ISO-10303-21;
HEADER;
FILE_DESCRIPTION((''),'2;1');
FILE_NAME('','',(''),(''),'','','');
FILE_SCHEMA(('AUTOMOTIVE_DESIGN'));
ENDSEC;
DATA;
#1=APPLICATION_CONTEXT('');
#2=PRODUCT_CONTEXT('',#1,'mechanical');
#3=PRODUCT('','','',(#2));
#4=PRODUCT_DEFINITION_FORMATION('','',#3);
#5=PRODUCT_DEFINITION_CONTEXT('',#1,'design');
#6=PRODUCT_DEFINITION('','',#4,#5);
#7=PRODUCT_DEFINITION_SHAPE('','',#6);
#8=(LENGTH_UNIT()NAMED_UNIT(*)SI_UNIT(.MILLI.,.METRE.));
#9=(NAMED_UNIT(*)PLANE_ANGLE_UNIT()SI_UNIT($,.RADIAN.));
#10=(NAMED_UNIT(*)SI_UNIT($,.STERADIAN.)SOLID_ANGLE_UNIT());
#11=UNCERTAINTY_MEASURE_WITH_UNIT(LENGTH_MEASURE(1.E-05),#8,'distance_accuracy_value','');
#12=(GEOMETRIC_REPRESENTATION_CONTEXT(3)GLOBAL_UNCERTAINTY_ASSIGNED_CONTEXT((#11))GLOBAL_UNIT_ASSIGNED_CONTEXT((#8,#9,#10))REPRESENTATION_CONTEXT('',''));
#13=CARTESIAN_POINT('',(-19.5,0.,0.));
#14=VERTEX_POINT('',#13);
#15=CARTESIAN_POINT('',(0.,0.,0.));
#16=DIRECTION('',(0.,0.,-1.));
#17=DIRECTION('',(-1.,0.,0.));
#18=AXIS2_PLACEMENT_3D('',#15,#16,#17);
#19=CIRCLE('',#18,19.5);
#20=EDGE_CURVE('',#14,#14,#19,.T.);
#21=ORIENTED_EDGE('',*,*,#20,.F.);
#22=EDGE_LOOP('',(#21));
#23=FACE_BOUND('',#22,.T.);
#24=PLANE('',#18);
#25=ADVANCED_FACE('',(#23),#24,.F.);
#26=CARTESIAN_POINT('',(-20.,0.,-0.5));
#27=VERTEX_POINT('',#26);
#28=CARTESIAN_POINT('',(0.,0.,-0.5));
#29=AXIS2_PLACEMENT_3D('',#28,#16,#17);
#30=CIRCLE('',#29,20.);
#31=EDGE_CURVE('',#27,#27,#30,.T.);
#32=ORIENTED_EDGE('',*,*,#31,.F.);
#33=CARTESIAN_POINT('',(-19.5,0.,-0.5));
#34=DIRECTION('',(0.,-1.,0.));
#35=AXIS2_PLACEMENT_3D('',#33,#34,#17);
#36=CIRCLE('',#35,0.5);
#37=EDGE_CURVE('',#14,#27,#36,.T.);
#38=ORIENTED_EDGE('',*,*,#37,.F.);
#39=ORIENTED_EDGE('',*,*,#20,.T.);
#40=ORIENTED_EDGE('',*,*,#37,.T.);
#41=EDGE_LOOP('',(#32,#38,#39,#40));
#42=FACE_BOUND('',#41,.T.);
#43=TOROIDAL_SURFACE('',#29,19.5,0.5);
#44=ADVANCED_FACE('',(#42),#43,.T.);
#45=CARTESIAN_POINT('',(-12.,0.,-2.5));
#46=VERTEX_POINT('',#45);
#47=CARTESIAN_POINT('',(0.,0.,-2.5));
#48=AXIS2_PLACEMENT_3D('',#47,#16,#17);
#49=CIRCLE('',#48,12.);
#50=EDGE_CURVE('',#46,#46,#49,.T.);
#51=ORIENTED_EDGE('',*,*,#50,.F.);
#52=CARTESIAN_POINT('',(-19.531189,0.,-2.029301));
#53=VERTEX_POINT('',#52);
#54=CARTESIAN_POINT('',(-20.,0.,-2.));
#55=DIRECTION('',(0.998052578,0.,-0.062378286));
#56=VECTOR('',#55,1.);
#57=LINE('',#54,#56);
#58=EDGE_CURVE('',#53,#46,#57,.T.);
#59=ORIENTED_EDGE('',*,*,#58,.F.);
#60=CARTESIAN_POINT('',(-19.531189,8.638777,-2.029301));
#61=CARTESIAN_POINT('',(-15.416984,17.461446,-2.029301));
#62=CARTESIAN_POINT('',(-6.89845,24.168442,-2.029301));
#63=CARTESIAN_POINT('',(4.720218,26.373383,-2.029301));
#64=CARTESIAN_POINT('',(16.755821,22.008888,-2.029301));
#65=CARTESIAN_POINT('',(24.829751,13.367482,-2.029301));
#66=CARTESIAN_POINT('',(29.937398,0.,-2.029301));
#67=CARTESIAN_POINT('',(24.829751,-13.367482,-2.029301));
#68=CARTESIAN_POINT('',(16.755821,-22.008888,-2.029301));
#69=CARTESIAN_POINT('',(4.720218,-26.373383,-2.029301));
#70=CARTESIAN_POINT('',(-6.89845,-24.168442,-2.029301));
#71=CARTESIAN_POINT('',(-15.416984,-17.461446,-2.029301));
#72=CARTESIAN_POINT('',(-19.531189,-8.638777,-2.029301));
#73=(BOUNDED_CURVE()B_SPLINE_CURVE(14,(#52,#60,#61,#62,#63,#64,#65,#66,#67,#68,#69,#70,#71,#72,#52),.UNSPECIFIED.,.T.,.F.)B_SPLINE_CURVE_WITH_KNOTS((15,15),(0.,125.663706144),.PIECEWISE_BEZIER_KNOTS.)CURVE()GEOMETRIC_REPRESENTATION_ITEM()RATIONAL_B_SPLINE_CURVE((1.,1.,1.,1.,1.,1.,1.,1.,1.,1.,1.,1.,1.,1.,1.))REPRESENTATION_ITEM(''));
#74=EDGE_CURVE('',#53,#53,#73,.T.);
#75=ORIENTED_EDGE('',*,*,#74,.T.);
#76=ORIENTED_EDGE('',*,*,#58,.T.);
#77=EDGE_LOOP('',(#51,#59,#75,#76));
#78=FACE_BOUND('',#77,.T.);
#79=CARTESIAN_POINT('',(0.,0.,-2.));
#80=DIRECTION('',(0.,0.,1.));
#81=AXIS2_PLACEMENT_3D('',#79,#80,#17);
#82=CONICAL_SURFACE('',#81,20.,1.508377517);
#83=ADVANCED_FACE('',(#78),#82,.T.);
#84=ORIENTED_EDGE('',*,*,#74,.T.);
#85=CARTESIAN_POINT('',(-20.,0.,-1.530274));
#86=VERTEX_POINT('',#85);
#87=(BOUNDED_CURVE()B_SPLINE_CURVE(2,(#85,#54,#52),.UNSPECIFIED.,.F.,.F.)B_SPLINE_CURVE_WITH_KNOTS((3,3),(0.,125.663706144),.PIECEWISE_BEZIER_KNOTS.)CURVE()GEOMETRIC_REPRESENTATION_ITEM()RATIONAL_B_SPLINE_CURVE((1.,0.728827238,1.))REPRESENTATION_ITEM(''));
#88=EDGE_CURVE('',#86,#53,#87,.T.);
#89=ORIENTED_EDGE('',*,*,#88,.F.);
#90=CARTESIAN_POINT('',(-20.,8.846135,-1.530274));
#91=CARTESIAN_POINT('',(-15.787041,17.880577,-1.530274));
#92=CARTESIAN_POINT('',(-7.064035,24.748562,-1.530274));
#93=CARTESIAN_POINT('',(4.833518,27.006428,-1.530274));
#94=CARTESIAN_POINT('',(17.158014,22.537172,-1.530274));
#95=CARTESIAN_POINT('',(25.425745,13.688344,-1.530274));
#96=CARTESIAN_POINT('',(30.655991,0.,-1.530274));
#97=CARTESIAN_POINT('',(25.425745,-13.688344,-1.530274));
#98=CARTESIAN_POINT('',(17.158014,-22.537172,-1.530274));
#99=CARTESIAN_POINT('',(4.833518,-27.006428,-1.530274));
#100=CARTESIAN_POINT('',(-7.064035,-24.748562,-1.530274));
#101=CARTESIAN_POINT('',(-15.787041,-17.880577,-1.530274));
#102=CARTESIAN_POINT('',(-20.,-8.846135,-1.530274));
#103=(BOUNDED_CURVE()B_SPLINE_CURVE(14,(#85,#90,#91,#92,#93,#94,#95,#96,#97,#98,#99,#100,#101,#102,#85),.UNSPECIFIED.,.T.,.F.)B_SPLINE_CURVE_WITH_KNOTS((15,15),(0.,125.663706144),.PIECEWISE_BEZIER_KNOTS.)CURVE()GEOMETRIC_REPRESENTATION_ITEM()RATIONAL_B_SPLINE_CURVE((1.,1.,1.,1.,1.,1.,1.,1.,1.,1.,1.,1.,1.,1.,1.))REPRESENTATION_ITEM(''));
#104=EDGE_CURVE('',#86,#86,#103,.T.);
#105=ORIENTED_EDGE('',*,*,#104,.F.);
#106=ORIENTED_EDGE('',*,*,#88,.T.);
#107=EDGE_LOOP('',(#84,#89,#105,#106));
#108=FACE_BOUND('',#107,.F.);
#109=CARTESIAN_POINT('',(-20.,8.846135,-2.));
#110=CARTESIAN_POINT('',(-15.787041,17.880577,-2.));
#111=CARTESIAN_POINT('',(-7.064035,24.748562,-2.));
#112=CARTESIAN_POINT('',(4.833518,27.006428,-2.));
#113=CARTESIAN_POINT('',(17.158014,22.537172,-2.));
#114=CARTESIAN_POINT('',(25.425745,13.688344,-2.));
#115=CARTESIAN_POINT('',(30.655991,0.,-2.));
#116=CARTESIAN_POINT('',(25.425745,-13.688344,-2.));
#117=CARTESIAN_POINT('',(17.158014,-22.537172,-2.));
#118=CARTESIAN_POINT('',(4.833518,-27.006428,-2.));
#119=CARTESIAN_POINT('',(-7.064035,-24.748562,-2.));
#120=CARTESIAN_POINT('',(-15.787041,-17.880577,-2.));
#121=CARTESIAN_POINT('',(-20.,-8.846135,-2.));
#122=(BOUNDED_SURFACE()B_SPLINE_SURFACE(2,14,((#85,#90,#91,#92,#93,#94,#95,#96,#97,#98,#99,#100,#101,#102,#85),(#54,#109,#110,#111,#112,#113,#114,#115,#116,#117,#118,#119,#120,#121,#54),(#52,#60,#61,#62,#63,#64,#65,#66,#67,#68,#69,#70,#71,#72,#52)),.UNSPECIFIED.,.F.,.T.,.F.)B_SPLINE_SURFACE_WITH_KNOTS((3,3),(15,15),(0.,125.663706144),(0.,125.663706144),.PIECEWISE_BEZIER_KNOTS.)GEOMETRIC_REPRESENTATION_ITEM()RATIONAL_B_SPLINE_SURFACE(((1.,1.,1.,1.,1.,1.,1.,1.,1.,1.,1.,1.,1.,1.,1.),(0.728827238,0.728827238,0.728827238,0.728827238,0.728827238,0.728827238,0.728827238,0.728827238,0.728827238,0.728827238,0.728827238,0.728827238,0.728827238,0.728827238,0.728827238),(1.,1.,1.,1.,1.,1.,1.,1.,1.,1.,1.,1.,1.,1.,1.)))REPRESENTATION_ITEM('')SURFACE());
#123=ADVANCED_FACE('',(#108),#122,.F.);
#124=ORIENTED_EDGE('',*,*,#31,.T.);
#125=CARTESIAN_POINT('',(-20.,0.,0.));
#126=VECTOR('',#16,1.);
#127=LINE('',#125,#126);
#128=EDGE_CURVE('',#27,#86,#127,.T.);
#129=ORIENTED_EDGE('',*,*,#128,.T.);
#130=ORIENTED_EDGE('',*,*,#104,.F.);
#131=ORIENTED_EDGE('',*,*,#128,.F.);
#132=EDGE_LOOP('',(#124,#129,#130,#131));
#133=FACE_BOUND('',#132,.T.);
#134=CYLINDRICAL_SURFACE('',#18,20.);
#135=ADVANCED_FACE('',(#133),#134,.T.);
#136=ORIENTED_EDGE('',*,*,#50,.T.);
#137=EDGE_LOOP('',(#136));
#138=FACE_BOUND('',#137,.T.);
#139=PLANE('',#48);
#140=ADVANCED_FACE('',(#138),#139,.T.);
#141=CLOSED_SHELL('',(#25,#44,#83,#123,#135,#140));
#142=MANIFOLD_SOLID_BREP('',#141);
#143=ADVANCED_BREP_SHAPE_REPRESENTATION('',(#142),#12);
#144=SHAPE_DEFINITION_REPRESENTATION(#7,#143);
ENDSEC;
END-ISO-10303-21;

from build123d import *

# Parameters (mm, degrees)
F2_R = 0.5


with BuildPart() as f1:
    # F0 (on Front) → F1 (revolve)
    with BuildSketch(Plane.XZ):
        Polygon((0, -2.5), (0, 0), (-20, 0), (-20, -2), (-12, -2.5), align=None)
    revolve(axis=Axis((0, 0, -1.25), (0, 0, -1)))

    # F2
    f2_edges = [f1.edges().sort_by_distance(p)[0] for p in [
        (20, 0, -2),
        (20, 0, 0),
    ]]
    fillet(f2_edges, radius=F2_R)


solid = f1.part
